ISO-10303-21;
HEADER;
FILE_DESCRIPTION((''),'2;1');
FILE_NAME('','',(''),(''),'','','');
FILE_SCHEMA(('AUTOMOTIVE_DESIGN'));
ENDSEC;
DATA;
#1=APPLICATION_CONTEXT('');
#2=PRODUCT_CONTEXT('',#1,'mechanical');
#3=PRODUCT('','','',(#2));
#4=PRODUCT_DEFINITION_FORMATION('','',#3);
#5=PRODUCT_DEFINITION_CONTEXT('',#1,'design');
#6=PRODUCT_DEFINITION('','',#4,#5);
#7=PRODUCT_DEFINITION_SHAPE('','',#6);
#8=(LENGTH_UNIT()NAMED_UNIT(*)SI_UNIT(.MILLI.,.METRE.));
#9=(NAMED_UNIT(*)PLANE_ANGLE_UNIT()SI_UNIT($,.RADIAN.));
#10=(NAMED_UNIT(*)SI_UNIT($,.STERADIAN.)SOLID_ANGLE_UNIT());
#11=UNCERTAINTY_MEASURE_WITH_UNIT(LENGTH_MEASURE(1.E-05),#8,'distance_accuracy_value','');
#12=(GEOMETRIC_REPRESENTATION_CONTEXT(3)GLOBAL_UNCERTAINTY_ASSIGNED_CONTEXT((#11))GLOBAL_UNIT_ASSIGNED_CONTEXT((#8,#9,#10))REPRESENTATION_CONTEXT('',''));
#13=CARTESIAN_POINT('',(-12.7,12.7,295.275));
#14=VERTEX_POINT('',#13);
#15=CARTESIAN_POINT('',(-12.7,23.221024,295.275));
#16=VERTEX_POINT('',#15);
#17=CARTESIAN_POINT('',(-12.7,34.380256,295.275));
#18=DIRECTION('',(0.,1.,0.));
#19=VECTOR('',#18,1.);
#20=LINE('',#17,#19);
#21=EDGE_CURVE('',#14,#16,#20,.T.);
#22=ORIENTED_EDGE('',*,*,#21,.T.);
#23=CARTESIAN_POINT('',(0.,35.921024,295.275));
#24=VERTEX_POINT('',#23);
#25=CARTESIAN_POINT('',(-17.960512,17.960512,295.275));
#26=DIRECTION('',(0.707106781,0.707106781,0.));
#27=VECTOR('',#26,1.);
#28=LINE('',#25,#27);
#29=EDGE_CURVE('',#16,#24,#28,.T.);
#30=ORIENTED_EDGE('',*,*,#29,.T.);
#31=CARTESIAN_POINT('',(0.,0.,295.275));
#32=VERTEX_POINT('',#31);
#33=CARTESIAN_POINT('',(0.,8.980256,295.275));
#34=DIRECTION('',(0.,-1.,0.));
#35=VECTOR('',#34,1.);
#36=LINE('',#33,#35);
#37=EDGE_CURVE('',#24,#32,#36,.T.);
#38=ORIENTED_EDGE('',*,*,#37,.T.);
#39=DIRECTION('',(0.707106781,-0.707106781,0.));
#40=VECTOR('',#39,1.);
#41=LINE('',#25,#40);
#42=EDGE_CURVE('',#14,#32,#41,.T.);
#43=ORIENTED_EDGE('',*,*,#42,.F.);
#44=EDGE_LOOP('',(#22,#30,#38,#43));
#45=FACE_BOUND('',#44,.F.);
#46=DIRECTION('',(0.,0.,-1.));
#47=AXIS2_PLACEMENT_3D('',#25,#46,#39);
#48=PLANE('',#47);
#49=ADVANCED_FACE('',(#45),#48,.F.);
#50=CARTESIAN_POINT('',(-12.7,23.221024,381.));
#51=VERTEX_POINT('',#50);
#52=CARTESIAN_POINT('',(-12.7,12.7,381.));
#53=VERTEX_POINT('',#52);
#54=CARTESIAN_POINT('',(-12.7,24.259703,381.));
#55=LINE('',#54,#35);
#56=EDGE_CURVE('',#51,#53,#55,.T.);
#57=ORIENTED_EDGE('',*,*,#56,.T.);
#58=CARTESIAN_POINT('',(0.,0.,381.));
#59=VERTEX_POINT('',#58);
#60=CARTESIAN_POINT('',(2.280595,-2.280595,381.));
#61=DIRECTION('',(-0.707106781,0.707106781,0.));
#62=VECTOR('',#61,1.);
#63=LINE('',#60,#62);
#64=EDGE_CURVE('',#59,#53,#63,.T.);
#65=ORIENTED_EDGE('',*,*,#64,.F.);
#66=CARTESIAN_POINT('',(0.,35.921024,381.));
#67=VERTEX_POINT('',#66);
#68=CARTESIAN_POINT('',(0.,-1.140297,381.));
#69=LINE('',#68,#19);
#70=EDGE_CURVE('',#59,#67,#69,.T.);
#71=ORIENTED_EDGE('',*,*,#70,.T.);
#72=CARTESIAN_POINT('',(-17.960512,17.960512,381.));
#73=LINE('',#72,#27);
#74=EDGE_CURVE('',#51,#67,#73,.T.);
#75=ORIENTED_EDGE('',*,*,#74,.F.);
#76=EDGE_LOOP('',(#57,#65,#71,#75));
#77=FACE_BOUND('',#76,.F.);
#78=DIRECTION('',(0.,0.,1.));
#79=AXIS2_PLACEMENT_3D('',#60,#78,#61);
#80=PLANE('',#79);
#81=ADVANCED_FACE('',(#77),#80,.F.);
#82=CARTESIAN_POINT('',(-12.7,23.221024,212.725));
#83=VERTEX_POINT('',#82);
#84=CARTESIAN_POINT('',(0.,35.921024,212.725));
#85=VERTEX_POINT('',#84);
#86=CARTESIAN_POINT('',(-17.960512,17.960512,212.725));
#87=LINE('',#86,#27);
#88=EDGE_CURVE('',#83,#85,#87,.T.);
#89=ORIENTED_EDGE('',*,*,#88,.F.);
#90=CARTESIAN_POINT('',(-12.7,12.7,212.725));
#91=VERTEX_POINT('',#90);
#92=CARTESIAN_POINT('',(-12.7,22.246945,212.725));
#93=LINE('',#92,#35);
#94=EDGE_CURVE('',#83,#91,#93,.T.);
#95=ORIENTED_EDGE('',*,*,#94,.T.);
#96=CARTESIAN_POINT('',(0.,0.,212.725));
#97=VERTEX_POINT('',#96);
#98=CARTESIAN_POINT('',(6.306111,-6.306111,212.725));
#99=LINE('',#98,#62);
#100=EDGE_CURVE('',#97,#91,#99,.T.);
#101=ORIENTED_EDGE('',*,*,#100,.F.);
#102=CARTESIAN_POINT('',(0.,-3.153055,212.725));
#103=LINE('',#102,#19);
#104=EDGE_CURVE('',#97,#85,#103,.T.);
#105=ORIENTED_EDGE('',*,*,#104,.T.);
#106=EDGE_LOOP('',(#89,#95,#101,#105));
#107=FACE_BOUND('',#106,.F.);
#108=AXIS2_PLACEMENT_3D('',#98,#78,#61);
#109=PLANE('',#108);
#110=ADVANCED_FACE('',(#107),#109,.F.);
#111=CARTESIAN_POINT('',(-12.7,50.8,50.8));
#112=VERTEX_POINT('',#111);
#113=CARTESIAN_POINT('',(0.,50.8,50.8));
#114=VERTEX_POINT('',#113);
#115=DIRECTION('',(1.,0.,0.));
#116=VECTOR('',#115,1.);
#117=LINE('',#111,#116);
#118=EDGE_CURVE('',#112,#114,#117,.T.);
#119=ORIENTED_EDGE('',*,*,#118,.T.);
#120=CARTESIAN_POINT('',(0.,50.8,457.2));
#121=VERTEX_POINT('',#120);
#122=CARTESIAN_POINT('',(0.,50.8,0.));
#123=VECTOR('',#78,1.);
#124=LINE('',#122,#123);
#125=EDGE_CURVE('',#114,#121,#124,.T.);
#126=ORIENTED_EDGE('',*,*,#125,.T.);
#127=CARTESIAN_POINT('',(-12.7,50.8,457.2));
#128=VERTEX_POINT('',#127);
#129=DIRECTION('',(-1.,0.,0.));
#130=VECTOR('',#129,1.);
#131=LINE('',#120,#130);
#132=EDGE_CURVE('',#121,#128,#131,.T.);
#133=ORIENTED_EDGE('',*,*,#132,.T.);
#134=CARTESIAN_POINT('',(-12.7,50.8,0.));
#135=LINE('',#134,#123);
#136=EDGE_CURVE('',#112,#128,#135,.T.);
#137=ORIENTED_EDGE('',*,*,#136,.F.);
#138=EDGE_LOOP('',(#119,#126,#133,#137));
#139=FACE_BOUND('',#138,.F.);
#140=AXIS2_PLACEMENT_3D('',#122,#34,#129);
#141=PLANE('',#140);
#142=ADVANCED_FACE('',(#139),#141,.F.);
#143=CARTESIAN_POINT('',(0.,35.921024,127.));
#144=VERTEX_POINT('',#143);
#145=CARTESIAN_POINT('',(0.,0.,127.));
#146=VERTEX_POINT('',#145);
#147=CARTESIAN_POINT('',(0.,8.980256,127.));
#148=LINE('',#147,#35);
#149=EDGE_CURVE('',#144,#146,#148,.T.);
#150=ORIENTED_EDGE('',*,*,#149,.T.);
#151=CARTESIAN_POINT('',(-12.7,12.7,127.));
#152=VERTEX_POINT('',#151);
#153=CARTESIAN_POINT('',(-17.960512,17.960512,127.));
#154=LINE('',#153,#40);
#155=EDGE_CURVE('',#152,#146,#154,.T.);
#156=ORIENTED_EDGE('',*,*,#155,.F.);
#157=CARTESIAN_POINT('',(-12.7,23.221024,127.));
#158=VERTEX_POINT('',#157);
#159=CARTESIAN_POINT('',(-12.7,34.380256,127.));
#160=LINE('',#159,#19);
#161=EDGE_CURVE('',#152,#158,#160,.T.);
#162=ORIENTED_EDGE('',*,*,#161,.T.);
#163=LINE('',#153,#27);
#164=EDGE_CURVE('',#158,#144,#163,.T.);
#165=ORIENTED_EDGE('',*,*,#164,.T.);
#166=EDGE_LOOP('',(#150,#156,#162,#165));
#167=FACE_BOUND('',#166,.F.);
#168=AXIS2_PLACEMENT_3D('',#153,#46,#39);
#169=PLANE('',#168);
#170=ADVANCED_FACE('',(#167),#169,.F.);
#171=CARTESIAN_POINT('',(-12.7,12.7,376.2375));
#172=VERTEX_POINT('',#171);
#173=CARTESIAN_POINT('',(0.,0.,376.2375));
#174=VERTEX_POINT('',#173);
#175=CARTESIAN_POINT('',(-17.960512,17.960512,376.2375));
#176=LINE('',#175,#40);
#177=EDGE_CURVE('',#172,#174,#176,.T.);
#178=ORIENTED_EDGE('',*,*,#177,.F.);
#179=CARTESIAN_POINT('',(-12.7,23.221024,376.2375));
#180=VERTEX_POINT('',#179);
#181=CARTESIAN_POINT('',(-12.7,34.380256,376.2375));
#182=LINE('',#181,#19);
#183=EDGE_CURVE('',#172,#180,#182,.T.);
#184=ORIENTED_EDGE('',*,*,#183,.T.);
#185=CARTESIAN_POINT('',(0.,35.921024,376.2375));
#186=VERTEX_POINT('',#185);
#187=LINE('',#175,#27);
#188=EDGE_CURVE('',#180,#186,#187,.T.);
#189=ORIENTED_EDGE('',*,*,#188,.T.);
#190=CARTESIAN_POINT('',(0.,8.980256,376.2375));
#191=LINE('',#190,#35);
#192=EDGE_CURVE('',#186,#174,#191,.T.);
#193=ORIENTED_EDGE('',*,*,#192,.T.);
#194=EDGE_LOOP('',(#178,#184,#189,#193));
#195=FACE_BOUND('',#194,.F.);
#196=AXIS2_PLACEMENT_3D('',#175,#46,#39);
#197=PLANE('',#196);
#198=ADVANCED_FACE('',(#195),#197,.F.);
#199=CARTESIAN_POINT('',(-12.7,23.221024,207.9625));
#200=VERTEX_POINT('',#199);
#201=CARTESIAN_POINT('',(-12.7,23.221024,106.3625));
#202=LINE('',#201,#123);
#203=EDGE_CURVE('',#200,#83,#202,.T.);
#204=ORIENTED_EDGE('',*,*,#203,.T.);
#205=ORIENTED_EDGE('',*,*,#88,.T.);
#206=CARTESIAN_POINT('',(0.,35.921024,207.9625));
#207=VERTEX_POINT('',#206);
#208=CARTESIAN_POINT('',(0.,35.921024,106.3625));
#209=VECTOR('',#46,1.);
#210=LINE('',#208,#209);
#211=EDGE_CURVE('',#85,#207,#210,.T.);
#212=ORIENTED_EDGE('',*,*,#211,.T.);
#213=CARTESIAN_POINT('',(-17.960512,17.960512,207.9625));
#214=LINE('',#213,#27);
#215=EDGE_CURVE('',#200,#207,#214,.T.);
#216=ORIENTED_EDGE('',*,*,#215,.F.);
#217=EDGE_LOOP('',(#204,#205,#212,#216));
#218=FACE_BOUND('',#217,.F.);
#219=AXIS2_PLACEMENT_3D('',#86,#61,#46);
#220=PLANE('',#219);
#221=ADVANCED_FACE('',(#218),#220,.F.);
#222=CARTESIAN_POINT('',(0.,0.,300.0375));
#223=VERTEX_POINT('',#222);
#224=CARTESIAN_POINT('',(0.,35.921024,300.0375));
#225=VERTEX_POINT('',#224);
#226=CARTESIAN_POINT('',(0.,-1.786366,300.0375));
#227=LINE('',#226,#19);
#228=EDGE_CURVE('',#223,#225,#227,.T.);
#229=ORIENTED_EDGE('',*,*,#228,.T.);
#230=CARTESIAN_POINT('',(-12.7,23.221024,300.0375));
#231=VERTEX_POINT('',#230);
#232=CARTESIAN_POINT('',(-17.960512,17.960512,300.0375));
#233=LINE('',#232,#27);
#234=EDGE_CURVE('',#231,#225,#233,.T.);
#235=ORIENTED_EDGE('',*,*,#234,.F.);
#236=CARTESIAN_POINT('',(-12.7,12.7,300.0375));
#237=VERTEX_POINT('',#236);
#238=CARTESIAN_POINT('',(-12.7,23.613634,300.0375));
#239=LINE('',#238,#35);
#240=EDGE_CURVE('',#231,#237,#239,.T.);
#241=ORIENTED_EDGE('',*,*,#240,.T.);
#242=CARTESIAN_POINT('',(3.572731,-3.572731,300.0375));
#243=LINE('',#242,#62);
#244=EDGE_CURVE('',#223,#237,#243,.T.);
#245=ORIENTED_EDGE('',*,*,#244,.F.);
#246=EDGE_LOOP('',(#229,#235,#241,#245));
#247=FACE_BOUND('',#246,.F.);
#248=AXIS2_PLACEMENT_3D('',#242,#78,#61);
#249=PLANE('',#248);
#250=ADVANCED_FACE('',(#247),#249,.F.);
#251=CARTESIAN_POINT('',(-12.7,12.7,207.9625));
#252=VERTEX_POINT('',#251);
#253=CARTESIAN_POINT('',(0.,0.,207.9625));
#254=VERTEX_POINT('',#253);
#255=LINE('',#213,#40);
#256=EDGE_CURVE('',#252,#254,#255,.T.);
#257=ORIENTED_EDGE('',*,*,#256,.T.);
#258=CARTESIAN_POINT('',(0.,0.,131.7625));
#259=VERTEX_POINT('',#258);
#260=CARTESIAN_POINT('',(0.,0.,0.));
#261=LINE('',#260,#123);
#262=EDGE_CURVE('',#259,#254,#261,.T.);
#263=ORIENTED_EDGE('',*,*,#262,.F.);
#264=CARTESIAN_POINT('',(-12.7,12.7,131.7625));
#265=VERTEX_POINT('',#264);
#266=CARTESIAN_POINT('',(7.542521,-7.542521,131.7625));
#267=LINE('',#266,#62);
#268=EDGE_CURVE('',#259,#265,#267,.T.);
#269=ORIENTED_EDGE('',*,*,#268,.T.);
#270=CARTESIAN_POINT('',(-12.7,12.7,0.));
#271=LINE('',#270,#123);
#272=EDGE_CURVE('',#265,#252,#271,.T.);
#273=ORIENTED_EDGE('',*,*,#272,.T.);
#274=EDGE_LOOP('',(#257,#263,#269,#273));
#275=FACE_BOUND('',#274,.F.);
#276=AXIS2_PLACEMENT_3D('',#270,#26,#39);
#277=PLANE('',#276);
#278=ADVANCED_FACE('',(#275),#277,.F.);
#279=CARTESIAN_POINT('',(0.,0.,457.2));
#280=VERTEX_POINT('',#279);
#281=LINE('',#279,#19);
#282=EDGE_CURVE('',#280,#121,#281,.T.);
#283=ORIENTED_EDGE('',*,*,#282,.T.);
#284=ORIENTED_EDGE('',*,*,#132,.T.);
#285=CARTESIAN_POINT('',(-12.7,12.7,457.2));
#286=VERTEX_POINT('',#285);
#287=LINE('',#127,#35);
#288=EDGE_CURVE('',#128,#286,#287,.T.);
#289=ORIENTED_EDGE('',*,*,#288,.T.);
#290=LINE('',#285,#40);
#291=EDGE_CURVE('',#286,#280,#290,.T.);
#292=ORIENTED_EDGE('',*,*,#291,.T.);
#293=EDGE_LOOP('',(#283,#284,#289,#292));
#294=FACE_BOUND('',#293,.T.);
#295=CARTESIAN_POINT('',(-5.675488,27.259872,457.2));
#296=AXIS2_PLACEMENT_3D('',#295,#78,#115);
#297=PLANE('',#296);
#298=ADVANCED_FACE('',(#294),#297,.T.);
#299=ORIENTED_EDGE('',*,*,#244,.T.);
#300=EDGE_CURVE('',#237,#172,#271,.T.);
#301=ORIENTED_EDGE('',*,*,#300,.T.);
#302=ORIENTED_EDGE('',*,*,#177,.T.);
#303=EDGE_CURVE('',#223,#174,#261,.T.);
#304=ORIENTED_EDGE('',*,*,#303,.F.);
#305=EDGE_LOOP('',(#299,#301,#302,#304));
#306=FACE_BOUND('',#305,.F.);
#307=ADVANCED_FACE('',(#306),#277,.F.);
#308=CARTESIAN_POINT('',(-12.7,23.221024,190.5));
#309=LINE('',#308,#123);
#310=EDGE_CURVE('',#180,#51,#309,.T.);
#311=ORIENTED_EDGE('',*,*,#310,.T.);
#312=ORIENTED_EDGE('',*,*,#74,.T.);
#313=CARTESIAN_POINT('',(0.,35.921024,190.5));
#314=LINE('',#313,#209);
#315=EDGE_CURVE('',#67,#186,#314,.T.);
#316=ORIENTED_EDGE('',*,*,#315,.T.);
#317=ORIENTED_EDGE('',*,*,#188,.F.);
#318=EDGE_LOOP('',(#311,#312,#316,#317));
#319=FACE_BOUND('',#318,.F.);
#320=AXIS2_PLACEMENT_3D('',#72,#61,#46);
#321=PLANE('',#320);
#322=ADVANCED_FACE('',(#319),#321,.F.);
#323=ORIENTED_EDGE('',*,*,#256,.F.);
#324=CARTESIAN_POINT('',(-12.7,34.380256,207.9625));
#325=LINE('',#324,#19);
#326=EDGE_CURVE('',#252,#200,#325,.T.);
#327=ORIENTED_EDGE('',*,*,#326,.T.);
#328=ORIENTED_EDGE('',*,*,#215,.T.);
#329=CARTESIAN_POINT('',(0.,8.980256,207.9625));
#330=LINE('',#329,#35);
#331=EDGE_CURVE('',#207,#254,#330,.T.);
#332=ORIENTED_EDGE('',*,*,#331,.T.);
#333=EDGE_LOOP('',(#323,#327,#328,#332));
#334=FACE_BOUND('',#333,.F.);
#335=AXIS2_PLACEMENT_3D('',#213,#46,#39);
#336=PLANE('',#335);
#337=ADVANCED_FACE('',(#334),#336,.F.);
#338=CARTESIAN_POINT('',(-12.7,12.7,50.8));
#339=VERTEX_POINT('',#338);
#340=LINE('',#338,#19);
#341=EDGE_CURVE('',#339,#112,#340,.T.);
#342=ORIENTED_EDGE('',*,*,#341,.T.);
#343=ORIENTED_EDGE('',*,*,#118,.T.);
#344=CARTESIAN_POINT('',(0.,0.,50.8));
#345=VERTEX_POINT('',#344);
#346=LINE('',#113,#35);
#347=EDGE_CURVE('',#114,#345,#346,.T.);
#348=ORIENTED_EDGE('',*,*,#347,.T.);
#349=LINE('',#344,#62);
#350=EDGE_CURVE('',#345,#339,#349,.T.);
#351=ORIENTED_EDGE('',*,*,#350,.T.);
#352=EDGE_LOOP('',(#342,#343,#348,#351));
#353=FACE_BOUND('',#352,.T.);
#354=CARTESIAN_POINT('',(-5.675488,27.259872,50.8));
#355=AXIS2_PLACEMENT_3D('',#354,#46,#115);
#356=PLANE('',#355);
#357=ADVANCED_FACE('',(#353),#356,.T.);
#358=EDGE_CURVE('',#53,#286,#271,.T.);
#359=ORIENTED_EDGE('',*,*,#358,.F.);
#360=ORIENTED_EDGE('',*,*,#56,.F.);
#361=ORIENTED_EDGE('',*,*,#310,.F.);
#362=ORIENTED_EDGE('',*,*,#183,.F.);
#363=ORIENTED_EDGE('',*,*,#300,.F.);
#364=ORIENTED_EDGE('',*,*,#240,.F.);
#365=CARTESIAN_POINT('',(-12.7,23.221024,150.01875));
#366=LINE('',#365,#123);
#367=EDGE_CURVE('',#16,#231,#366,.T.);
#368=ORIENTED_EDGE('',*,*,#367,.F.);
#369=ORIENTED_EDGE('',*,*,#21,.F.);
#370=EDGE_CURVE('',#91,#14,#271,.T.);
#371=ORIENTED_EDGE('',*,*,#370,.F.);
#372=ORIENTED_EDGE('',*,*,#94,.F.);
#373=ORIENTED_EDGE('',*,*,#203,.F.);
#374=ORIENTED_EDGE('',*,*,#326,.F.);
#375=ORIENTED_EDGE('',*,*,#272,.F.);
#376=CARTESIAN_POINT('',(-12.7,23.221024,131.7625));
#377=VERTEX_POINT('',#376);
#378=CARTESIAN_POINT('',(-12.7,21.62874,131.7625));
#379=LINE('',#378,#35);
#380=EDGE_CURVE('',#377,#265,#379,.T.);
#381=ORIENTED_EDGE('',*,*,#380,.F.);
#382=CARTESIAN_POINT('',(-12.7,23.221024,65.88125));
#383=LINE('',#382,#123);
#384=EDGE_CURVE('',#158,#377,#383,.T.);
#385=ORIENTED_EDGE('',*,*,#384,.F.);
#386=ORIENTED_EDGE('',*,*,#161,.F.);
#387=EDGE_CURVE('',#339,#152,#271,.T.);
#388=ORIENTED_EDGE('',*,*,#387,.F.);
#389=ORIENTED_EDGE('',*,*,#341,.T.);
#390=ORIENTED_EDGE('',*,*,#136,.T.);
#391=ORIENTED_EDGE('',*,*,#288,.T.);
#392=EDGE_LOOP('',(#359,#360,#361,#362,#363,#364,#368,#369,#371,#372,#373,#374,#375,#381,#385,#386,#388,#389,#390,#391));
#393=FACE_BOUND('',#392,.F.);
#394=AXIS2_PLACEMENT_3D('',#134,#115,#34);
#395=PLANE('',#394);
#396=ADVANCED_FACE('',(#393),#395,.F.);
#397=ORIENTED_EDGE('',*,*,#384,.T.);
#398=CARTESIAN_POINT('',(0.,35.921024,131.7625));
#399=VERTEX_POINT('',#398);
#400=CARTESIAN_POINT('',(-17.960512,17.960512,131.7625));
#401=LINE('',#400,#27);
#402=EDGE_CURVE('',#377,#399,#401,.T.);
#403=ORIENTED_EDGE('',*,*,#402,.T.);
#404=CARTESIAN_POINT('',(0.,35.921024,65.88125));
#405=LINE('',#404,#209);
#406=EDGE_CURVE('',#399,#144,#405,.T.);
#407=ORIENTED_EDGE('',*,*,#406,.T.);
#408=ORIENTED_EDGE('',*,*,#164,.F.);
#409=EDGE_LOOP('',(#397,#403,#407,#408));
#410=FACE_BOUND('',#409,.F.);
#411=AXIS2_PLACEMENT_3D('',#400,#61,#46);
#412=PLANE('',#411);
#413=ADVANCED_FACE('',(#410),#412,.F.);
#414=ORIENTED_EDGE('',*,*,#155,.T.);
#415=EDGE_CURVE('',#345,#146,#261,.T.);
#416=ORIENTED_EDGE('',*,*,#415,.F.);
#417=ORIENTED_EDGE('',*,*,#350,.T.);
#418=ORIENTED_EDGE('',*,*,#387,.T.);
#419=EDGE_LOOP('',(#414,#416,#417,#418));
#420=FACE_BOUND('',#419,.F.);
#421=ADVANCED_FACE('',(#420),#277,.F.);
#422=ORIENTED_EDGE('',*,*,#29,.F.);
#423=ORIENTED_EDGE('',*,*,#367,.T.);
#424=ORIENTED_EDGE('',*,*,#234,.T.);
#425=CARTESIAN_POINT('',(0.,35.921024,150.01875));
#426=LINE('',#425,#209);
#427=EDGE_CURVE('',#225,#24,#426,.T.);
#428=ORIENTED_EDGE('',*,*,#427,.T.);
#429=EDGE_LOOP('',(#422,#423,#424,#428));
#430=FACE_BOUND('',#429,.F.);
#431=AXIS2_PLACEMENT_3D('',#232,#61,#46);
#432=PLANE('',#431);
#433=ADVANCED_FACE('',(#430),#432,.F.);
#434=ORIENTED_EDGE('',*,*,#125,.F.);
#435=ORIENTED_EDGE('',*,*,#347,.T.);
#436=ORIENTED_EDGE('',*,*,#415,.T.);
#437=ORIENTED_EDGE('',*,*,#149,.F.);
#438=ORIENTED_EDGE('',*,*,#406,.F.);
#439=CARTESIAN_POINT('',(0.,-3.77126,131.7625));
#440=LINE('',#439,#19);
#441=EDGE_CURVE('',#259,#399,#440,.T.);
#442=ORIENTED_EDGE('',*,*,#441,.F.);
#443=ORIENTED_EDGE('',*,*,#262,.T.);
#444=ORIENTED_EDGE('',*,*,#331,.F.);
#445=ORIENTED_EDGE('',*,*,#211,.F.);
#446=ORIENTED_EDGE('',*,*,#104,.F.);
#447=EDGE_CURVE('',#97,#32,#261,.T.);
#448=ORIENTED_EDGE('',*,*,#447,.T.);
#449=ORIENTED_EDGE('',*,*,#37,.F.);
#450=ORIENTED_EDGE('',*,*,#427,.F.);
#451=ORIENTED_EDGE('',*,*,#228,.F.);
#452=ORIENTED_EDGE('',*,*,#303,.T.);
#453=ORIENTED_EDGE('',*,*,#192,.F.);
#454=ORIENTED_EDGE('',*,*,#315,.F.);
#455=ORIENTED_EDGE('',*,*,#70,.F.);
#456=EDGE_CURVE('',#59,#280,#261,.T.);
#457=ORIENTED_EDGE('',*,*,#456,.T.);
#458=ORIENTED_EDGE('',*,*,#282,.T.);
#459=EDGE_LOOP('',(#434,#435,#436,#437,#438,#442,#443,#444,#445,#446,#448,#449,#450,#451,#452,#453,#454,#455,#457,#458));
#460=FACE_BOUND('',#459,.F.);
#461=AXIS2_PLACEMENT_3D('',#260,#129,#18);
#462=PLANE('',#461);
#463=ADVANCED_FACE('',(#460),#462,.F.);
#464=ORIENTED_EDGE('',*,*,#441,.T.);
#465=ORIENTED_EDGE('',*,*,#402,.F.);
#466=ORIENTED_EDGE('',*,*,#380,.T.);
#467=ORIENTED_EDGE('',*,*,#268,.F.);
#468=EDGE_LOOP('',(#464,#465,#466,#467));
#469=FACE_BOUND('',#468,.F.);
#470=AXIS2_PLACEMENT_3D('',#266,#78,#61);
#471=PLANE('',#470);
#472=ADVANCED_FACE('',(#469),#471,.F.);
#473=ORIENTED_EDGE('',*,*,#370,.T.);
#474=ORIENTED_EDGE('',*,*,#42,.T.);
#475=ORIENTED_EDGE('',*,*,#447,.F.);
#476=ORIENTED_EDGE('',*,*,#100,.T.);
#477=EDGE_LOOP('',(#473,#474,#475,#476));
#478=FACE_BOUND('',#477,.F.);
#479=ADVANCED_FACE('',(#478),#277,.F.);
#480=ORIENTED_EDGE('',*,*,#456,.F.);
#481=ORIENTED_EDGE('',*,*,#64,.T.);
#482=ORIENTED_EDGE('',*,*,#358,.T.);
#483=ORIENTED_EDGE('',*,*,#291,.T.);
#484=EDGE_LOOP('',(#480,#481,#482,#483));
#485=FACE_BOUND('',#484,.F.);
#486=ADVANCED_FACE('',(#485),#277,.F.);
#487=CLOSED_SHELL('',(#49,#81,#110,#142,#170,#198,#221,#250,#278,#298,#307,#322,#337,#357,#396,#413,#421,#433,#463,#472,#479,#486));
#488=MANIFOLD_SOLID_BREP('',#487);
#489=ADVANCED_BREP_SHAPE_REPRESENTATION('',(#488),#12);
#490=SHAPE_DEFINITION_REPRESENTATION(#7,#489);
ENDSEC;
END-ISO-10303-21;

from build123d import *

# Parameters (mm, degrees)
F1_DEPTH = 457.2
F2_DEPTH = 50.8
F4_DEPTH = 35.922024


with BuildPart() as f1:
    # F0 (on Top) → F1 (new body)
    with BuildSketch(Plane.XY):
        Polygon((-12.7, 12.7), (0, 0), (0, 50.8), (-12.7, 50.8), align=None)
    extrude(amount=F1_DEPTH)

    # F1_face (on face) → F2 (cut)
    with BuildSketch(Plane(origin=(-6.047619, 28.42381, 0), x_dir=(1, 0, 0), z_dir=(0, 0, -1))):
        Polygon((6.047619, 28.42381), (-6.652381, 15.72381), (-6.652381, -22.37619), (6.047619, -22.37619), align=None)
        Polygon((-6.652381, 15.72381), (6.047619, 28.42381), (6.047619, -22.37619), (-6.652381, -22.37619), align=None)
    extrude(amount=-F2_DEPTH, mode=Mode.SUBTRACT)

    # F3 (on face) → F4 (cut, through all)
    with BuildSketch(Plane(origin=(0, 0, 0), x_dir=(0.707107, -0.707107, 0), z_dir=(-0.707107, -0.707107, 0))):
        Polygon((3.225248, 381), (0, 381), (-25.4, 381), (-25.4, 376.2375), (0, 376.2375), (3.225248, 376.2375), align=None)
        Polygon((5.052605, 300.0375), (0, 300.0375), (-25.4, 300.0375), (-25.4, 295.275), (5.052605, 295.275), align=None)
        Polygon((-25.4, 207.9625), (0, 207.9625), (8.918187, 207.9625), (8.918187, 212.725), (-25.4, 212.725), align=None)
        Polygon((-25.4, 127), (0, 127), (10.666735, 127), (10.666735, 131.7625), (0, 131.7625), (-25.4, 131.7625), align=None)
    extrude(amount=-F4_DEPTH, mode=Mode.SUBTRACT)


solid = f1.part
